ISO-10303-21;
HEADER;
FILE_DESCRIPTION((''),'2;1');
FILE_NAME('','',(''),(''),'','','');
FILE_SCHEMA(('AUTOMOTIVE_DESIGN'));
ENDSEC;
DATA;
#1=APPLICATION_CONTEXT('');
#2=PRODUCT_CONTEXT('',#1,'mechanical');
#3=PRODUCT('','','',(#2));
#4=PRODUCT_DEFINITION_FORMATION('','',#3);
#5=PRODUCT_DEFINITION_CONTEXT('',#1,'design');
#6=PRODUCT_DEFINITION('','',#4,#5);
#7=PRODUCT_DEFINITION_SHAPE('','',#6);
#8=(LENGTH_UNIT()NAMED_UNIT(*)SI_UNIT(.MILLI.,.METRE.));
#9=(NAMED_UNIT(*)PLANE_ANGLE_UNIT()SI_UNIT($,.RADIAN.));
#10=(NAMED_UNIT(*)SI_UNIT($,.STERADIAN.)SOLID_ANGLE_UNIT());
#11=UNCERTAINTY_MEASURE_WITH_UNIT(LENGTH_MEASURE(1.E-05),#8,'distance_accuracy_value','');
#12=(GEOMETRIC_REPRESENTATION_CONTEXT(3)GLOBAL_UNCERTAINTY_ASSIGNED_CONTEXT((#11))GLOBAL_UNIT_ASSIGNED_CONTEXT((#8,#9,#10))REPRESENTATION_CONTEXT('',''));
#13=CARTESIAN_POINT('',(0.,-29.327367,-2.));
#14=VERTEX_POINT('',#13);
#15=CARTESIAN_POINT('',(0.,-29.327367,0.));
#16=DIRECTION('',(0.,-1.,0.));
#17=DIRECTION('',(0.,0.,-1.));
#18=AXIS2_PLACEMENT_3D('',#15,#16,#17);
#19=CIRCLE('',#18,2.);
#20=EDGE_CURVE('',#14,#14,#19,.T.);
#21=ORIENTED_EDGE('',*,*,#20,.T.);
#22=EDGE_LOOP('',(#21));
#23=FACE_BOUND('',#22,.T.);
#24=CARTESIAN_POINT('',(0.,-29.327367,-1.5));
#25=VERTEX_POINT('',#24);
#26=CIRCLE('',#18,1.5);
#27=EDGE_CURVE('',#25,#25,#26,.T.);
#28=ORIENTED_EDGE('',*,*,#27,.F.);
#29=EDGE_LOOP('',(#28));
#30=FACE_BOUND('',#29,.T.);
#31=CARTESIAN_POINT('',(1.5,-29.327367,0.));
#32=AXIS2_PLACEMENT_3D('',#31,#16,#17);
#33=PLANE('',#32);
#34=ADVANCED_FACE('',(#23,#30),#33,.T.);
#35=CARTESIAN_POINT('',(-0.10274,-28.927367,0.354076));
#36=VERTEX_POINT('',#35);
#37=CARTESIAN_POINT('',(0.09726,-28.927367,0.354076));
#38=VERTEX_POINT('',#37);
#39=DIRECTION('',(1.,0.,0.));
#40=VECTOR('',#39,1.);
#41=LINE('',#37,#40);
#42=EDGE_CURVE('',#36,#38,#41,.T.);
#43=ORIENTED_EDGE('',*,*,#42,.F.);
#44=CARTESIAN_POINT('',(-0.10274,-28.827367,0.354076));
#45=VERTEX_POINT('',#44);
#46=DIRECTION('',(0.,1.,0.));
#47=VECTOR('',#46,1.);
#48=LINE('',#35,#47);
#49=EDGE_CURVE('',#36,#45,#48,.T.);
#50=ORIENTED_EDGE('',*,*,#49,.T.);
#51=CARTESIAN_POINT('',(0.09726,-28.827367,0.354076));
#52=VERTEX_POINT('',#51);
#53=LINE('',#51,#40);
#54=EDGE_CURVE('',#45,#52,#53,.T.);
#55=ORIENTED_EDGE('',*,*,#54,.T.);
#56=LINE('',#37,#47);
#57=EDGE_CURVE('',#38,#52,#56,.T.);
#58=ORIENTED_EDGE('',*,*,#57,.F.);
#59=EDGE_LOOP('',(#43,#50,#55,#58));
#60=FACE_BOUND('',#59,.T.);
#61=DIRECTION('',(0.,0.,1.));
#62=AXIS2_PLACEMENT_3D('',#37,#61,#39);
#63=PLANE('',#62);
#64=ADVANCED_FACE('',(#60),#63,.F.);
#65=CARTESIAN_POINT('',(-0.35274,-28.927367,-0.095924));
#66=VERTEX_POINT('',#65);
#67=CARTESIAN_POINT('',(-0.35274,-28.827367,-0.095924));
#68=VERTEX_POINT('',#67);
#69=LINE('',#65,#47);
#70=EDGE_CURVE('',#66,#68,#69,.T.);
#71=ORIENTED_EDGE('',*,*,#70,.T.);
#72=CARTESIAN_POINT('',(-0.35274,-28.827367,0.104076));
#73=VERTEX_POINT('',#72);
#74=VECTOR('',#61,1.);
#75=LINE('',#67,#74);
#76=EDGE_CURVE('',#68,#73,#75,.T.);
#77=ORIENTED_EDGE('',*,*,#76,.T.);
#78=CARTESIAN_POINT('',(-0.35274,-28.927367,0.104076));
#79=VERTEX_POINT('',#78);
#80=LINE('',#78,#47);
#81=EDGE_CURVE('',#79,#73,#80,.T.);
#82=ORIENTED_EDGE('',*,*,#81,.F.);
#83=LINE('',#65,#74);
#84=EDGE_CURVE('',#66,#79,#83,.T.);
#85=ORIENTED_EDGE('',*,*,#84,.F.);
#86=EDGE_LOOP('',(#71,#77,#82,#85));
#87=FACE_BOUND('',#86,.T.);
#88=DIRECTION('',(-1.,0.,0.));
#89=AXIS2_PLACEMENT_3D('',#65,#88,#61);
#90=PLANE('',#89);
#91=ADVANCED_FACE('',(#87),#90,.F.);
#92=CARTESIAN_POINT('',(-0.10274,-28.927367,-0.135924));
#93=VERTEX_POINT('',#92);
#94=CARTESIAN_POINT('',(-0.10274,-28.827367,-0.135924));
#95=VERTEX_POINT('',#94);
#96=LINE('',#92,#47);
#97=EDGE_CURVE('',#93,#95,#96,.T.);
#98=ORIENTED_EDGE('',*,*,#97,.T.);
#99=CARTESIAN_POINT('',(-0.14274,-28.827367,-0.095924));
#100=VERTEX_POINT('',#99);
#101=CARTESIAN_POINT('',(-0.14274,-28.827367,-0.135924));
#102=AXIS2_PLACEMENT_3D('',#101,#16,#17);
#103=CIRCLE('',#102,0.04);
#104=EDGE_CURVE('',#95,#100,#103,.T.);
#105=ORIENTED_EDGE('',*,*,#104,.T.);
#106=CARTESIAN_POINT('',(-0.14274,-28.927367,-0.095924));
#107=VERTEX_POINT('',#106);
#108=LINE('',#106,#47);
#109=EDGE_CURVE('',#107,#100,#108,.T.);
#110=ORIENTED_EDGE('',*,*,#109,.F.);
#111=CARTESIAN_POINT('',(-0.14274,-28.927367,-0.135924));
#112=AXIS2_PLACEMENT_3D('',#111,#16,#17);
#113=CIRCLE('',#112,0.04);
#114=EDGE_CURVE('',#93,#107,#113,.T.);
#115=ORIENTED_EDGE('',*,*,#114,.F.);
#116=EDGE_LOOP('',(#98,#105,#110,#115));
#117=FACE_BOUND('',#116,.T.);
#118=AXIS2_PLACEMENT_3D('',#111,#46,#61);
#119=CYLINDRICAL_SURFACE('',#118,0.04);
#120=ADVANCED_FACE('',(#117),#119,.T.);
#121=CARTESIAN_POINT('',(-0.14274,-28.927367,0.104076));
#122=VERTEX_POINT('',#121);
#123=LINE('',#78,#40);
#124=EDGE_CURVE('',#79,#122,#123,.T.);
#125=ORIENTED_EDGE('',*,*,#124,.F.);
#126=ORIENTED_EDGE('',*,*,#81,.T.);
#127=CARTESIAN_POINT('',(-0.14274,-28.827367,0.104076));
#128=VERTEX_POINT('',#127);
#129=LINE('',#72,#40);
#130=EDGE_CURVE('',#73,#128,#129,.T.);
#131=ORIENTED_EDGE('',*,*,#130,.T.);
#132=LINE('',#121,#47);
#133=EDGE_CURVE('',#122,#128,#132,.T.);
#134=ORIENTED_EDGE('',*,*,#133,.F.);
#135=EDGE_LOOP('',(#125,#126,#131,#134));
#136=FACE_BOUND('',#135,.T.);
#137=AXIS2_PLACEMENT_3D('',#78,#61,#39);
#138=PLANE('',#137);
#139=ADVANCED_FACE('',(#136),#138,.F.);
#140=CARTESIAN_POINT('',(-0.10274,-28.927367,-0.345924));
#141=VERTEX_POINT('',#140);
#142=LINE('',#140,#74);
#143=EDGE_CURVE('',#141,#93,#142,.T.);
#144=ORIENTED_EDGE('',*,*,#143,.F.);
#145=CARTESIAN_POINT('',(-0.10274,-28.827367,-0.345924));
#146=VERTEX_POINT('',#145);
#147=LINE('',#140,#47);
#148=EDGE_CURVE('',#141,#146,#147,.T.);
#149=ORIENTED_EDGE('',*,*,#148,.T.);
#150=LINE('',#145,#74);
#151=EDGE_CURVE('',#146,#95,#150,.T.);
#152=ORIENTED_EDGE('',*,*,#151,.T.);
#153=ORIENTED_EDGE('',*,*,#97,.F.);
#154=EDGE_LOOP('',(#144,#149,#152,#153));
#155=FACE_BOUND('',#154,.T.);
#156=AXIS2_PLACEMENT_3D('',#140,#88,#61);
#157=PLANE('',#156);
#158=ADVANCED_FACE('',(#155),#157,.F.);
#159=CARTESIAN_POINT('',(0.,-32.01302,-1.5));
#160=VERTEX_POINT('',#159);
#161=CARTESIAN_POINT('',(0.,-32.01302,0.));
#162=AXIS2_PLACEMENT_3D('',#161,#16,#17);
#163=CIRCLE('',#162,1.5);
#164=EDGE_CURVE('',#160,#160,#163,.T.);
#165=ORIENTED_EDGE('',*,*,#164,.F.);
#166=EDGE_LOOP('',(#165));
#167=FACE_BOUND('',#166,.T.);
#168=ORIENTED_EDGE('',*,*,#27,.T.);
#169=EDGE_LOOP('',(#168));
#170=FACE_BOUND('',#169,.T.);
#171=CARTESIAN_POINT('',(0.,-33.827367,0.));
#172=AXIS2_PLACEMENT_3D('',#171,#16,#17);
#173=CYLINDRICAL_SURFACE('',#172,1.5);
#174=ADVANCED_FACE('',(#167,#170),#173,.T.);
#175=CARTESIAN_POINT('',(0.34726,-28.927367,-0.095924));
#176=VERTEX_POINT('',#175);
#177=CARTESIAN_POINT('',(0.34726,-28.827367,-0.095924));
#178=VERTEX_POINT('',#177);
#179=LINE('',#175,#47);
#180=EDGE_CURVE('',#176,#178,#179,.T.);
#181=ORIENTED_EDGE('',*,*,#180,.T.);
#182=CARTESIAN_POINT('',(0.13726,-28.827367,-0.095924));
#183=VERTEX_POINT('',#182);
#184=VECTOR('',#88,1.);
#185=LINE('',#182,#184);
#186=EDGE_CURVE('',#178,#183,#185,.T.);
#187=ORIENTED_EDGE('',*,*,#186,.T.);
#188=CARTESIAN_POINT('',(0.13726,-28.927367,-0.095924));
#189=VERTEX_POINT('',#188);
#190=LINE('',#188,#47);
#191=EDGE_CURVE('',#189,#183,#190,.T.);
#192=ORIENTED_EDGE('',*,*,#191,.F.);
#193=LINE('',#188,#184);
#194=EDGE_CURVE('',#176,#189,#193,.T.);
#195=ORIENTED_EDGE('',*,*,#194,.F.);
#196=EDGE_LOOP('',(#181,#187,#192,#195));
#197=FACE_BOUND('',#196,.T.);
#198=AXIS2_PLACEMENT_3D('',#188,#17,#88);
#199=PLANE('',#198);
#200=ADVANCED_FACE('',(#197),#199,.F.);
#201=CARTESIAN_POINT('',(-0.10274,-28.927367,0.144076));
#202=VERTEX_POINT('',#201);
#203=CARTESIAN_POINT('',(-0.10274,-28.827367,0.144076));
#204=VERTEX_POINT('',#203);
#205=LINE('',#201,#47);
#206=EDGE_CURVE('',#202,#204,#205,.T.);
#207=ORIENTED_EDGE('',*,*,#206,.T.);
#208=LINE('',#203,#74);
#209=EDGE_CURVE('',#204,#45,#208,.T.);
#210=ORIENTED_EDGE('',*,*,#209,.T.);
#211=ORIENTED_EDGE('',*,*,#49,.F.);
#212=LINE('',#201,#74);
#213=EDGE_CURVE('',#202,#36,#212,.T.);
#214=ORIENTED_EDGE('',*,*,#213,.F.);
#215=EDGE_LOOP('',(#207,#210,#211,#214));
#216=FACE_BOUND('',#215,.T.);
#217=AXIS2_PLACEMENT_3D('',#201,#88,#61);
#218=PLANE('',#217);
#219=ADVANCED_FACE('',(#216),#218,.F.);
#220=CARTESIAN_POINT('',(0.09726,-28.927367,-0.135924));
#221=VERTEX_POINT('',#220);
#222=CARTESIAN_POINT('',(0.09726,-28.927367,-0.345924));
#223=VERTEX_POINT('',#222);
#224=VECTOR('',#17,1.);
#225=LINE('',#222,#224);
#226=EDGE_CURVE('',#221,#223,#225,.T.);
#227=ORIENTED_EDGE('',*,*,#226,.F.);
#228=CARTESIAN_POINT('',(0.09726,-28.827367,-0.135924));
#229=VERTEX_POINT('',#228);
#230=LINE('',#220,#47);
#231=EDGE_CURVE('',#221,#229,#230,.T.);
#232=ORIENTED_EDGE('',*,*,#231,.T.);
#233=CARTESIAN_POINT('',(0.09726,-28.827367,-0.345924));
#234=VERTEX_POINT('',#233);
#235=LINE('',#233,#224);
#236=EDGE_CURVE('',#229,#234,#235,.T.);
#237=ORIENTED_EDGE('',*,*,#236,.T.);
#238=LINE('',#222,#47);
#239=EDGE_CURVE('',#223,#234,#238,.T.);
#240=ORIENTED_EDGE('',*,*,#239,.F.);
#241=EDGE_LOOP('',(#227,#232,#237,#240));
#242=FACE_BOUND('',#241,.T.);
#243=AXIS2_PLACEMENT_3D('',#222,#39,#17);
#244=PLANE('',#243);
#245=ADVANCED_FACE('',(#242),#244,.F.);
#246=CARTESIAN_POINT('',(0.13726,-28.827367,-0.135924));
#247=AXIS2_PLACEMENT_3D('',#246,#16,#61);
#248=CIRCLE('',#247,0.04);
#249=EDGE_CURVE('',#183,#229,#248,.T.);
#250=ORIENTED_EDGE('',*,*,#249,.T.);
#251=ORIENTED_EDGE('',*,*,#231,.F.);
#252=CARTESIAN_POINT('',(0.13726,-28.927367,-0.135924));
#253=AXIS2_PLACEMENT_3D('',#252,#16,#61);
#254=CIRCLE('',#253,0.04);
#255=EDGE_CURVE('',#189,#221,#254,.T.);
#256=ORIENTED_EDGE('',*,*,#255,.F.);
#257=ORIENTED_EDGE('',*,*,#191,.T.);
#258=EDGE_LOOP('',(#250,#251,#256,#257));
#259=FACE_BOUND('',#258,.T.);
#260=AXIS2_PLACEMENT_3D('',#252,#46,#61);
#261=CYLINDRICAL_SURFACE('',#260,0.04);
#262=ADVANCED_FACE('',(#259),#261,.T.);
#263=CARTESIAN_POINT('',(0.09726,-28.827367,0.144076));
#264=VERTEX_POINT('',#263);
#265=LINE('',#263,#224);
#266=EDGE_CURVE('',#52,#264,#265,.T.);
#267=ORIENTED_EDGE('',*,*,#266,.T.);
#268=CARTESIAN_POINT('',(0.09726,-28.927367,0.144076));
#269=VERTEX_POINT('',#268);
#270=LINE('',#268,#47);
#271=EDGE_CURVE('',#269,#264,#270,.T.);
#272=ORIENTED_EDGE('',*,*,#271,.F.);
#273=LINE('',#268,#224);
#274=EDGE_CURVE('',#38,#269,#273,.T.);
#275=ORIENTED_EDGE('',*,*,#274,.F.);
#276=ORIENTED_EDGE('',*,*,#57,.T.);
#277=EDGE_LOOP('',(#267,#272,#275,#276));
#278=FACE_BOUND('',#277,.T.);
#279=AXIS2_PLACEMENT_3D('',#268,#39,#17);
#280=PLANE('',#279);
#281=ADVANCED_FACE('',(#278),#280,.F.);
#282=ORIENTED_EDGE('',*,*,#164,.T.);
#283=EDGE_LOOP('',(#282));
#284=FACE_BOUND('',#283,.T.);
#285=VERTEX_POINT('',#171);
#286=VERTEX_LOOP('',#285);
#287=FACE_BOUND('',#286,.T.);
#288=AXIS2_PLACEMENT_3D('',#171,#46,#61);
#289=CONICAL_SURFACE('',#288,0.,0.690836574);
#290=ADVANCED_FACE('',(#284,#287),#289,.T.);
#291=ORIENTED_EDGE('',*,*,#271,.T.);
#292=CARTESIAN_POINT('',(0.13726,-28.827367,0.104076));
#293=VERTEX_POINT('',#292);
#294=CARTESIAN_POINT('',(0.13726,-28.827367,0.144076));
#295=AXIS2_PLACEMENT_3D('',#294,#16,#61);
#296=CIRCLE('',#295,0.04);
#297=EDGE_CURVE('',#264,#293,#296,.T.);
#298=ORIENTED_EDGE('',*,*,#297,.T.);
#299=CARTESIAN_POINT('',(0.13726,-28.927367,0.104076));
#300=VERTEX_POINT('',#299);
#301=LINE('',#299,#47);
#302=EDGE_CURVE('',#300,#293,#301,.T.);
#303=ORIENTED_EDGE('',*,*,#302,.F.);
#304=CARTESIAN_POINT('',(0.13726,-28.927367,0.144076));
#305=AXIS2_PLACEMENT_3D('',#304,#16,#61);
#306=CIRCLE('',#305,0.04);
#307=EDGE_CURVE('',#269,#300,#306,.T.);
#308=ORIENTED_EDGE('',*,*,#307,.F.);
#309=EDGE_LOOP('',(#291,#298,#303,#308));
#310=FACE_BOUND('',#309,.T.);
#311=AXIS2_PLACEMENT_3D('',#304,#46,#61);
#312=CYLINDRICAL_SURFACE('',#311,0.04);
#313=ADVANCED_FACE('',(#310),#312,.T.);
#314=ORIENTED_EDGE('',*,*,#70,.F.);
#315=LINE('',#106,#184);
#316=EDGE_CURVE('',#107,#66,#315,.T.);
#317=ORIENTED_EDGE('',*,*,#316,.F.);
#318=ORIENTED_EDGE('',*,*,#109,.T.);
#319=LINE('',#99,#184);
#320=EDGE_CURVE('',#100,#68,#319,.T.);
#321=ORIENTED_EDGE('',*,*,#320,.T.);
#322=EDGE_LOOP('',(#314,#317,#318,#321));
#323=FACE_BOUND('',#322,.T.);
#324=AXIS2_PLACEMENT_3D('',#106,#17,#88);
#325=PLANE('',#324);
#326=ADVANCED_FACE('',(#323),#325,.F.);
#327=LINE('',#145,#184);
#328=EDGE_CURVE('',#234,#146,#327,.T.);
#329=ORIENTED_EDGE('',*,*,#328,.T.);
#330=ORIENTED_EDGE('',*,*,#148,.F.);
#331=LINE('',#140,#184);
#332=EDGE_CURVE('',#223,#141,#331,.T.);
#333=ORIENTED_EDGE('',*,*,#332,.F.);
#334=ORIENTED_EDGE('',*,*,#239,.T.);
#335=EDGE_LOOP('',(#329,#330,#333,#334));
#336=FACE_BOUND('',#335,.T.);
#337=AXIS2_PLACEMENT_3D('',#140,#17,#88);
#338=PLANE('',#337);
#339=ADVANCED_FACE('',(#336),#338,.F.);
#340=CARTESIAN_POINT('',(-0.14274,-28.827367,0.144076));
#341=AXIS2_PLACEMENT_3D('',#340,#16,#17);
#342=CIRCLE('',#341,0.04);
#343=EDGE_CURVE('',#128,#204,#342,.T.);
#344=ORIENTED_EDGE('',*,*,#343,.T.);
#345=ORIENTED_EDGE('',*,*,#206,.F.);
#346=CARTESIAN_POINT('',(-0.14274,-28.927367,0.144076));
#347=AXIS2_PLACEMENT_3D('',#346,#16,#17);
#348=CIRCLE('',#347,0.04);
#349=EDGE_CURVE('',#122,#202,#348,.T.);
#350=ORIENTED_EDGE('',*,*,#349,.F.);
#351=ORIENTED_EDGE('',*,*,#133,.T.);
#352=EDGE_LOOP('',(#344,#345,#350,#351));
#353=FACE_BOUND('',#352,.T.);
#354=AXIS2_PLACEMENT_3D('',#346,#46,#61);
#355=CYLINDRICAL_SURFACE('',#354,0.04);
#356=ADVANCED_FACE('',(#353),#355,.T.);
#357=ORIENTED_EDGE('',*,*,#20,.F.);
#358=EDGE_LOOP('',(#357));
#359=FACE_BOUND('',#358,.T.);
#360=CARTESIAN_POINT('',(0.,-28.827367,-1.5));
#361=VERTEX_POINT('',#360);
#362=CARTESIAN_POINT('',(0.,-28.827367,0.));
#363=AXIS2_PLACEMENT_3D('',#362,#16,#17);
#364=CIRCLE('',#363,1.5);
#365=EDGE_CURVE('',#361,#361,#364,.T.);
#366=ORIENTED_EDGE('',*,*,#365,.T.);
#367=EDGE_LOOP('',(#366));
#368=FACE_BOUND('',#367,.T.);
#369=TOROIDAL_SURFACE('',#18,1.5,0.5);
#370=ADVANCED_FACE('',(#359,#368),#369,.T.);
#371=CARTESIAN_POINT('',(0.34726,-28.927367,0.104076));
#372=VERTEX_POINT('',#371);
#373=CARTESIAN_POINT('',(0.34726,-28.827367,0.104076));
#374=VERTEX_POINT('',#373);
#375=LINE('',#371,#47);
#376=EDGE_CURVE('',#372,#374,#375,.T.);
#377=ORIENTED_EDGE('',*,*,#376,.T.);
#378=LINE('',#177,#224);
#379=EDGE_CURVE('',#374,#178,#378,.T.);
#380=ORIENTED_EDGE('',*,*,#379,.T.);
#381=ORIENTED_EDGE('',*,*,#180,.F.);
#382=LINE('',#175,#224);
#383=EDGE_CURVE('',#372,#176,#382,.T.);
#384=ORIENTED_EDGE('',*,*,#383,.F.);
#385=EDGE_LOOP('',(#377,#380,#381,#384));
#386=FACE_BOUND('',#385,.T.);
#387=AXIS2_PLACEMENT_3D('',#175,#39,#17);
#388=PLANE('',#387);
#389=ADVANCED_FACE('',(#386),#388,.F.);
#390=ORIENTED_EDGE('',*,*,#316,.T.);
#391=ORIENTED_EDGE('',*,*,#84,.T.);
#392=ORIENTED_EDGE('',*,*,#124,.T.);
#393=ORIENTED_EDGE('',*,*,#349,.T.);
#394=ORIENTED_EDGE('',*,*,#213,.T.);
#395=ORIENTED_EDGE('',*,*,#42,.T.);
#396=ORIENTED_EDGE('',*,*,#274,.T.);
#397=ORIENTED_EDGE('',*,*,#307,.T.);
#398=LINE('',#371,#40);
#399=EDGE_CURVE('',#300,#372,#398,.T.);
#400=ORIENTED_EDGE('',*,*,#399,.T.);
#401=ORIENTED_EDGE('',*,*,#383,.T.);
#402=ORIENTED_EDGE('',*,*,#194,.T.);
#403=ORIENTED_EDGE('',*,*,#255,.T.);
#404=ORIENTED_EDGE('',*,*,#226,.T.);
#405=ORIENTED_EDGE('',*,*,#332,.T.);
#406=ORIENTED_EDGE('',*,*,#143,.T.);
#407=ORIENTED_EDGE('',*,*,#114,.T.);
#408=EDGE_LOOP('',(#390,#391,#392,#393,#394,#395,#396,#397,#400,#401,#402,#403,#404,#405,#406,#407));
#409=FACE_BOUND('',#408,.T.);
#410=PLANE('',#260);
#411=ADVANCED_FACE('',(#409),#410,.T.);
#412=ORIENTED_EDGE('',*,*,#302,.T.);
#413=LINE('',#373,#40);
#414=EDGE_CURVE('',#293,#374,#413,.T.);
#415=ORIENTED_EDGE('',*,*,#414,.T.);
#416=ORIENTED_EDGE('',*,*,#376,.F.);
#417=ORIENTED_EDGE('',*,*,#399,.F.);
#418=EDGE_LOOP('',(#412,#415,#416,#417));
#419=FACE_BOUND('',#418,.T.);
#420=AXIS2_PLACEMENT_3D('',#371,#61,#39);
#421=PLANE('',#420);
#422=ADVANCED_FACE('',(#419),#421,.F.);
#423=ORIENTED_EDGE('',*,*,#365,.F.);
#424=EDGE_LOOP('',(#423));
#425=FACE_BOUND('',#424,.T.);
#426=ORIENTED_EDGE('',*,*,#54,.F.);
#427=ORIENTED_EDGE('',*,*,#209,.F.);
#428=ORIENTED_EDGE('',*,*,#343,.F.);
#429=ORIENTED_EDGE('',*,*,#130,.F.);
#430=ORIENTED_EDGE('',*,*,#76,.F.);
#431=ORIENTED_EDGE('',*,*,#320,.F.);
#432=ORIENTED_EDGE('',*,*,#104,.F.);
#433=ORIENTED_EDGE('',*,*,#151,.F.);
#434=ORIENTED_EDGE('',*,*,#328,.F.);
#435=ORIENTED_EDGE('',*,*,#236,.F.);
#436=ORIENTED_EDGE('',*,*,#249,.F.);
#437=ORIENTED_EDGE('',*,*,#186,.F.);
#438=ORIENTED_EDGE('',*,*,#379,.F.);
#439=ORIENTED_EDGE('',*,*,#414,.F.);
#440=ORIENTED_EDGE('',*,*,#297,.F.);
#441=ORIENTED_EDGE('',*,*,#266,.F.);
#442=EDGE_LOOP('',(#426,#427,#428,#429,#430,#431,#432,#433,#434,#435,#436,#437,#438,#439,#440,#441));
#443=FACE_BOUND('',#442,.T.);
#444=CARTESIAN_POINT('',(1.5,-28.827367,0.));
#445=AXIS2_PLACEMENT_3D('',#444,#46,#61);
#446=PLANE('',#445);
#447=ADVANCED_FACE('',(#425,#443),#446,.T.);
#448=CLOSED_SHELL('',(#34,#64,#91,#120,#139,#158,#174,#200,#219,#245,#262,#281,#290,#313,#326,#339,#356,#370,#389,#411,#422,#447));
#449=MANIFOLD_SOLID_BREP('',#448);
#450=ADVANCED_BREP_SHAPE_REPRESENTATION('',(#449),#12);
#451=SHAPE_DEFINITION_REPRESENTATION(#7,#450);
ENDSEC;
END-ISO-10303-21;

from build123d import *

# Parameters (mm, degrees)
CUT_EXTRUDE1_DEPTH = 0.1


with BuildPart() as part:
    # Sketch1 → Revolve1 (revolve)
    with BuildSketch(Plane.XY):
        with BuildLine():
            Line((0, -33.827367013), (0, -28.827367013))
            Line((0, -28.827367013), (1.5, -28.827367013))
            ThreePointArc((1.5, -28.827367013), (1.853553391, -28.973813622), (2, -29.327367013))
            Line((2, -29.327367013), (1.5, -29.327367013))
            Line((1.5, -29.327367013), (1.5, -32.013019536))
            Line((1.5, -32.013019536), (0, -33.827367013))
        make_face()
    revolve(axis=Axis((0, -33.827367013, 0), (0, 1, 0)))

    # Sketch2 → Cut-Extrude1 (cut)
    with BuildSketch(Plane(origin=(0, -28.827367013, 0), x_dir=(1, 0, 0), z_dir=(0, 1, 0))):
        with BuildLine():
            Line((-0.102740447, 0.345923698), (0.097259553, 0.345923698))
            Line((0.097259553, 0.345923698), (0.097259553, 0.135923698))
            ThreePointArc((0.097259553, 0.135923698), (0.108975282, 0.107639426), (0.137259553, 0.095923698))
            Line((0.137259553, 0.095923698), (0.347259553, 0.095923698))
            Line((0.347259553, 0.095923698), (0.347259553, -0.104076302))
            Line((0.347259553, -0.104076302), (0.137259553, -0.104076302))
            ThreePointArc((0.137259553, -0.104076302), (0.108975282, -0.115792031), (0.097259553, -0.144076302))
            Line((0.097259553, -0.144076302), (0.097259553, -0.354076302))
            Line((0.097259553, -0.354076302), (-0.102740447, -0.354076302))
            Line((-0.102740447, -0.354076302), (-0.102740447, -0.144076302))
            ThreePointArc((-0.102740447, -0.144076302), (-0.114456176, -0.115792031), (-0.142740447, -0.104076302))
            Line((-0.142740447, -0.104076302), (-0.352740447, -0.104076302))
            Line((-0.352740447, -0.104076302), (-0.352740447, 0.095923698))
            Line((-0.352740447, 0.095923698), (-0.142740447, 0.095923698))
            ThreePointArc((-0.142740447, 0.095923698), (-0.114456176, 0.107639426), (-0.102740447, 0.135923698))
            Line((-0.102740447, 0.135923698), (-0.102740447, 0.345923698))
        make_face()
    extrude(amount=-CUT_EXTRUDE1_DEPTH, mode=Mode.SUBTRACT)


solid = part.part
